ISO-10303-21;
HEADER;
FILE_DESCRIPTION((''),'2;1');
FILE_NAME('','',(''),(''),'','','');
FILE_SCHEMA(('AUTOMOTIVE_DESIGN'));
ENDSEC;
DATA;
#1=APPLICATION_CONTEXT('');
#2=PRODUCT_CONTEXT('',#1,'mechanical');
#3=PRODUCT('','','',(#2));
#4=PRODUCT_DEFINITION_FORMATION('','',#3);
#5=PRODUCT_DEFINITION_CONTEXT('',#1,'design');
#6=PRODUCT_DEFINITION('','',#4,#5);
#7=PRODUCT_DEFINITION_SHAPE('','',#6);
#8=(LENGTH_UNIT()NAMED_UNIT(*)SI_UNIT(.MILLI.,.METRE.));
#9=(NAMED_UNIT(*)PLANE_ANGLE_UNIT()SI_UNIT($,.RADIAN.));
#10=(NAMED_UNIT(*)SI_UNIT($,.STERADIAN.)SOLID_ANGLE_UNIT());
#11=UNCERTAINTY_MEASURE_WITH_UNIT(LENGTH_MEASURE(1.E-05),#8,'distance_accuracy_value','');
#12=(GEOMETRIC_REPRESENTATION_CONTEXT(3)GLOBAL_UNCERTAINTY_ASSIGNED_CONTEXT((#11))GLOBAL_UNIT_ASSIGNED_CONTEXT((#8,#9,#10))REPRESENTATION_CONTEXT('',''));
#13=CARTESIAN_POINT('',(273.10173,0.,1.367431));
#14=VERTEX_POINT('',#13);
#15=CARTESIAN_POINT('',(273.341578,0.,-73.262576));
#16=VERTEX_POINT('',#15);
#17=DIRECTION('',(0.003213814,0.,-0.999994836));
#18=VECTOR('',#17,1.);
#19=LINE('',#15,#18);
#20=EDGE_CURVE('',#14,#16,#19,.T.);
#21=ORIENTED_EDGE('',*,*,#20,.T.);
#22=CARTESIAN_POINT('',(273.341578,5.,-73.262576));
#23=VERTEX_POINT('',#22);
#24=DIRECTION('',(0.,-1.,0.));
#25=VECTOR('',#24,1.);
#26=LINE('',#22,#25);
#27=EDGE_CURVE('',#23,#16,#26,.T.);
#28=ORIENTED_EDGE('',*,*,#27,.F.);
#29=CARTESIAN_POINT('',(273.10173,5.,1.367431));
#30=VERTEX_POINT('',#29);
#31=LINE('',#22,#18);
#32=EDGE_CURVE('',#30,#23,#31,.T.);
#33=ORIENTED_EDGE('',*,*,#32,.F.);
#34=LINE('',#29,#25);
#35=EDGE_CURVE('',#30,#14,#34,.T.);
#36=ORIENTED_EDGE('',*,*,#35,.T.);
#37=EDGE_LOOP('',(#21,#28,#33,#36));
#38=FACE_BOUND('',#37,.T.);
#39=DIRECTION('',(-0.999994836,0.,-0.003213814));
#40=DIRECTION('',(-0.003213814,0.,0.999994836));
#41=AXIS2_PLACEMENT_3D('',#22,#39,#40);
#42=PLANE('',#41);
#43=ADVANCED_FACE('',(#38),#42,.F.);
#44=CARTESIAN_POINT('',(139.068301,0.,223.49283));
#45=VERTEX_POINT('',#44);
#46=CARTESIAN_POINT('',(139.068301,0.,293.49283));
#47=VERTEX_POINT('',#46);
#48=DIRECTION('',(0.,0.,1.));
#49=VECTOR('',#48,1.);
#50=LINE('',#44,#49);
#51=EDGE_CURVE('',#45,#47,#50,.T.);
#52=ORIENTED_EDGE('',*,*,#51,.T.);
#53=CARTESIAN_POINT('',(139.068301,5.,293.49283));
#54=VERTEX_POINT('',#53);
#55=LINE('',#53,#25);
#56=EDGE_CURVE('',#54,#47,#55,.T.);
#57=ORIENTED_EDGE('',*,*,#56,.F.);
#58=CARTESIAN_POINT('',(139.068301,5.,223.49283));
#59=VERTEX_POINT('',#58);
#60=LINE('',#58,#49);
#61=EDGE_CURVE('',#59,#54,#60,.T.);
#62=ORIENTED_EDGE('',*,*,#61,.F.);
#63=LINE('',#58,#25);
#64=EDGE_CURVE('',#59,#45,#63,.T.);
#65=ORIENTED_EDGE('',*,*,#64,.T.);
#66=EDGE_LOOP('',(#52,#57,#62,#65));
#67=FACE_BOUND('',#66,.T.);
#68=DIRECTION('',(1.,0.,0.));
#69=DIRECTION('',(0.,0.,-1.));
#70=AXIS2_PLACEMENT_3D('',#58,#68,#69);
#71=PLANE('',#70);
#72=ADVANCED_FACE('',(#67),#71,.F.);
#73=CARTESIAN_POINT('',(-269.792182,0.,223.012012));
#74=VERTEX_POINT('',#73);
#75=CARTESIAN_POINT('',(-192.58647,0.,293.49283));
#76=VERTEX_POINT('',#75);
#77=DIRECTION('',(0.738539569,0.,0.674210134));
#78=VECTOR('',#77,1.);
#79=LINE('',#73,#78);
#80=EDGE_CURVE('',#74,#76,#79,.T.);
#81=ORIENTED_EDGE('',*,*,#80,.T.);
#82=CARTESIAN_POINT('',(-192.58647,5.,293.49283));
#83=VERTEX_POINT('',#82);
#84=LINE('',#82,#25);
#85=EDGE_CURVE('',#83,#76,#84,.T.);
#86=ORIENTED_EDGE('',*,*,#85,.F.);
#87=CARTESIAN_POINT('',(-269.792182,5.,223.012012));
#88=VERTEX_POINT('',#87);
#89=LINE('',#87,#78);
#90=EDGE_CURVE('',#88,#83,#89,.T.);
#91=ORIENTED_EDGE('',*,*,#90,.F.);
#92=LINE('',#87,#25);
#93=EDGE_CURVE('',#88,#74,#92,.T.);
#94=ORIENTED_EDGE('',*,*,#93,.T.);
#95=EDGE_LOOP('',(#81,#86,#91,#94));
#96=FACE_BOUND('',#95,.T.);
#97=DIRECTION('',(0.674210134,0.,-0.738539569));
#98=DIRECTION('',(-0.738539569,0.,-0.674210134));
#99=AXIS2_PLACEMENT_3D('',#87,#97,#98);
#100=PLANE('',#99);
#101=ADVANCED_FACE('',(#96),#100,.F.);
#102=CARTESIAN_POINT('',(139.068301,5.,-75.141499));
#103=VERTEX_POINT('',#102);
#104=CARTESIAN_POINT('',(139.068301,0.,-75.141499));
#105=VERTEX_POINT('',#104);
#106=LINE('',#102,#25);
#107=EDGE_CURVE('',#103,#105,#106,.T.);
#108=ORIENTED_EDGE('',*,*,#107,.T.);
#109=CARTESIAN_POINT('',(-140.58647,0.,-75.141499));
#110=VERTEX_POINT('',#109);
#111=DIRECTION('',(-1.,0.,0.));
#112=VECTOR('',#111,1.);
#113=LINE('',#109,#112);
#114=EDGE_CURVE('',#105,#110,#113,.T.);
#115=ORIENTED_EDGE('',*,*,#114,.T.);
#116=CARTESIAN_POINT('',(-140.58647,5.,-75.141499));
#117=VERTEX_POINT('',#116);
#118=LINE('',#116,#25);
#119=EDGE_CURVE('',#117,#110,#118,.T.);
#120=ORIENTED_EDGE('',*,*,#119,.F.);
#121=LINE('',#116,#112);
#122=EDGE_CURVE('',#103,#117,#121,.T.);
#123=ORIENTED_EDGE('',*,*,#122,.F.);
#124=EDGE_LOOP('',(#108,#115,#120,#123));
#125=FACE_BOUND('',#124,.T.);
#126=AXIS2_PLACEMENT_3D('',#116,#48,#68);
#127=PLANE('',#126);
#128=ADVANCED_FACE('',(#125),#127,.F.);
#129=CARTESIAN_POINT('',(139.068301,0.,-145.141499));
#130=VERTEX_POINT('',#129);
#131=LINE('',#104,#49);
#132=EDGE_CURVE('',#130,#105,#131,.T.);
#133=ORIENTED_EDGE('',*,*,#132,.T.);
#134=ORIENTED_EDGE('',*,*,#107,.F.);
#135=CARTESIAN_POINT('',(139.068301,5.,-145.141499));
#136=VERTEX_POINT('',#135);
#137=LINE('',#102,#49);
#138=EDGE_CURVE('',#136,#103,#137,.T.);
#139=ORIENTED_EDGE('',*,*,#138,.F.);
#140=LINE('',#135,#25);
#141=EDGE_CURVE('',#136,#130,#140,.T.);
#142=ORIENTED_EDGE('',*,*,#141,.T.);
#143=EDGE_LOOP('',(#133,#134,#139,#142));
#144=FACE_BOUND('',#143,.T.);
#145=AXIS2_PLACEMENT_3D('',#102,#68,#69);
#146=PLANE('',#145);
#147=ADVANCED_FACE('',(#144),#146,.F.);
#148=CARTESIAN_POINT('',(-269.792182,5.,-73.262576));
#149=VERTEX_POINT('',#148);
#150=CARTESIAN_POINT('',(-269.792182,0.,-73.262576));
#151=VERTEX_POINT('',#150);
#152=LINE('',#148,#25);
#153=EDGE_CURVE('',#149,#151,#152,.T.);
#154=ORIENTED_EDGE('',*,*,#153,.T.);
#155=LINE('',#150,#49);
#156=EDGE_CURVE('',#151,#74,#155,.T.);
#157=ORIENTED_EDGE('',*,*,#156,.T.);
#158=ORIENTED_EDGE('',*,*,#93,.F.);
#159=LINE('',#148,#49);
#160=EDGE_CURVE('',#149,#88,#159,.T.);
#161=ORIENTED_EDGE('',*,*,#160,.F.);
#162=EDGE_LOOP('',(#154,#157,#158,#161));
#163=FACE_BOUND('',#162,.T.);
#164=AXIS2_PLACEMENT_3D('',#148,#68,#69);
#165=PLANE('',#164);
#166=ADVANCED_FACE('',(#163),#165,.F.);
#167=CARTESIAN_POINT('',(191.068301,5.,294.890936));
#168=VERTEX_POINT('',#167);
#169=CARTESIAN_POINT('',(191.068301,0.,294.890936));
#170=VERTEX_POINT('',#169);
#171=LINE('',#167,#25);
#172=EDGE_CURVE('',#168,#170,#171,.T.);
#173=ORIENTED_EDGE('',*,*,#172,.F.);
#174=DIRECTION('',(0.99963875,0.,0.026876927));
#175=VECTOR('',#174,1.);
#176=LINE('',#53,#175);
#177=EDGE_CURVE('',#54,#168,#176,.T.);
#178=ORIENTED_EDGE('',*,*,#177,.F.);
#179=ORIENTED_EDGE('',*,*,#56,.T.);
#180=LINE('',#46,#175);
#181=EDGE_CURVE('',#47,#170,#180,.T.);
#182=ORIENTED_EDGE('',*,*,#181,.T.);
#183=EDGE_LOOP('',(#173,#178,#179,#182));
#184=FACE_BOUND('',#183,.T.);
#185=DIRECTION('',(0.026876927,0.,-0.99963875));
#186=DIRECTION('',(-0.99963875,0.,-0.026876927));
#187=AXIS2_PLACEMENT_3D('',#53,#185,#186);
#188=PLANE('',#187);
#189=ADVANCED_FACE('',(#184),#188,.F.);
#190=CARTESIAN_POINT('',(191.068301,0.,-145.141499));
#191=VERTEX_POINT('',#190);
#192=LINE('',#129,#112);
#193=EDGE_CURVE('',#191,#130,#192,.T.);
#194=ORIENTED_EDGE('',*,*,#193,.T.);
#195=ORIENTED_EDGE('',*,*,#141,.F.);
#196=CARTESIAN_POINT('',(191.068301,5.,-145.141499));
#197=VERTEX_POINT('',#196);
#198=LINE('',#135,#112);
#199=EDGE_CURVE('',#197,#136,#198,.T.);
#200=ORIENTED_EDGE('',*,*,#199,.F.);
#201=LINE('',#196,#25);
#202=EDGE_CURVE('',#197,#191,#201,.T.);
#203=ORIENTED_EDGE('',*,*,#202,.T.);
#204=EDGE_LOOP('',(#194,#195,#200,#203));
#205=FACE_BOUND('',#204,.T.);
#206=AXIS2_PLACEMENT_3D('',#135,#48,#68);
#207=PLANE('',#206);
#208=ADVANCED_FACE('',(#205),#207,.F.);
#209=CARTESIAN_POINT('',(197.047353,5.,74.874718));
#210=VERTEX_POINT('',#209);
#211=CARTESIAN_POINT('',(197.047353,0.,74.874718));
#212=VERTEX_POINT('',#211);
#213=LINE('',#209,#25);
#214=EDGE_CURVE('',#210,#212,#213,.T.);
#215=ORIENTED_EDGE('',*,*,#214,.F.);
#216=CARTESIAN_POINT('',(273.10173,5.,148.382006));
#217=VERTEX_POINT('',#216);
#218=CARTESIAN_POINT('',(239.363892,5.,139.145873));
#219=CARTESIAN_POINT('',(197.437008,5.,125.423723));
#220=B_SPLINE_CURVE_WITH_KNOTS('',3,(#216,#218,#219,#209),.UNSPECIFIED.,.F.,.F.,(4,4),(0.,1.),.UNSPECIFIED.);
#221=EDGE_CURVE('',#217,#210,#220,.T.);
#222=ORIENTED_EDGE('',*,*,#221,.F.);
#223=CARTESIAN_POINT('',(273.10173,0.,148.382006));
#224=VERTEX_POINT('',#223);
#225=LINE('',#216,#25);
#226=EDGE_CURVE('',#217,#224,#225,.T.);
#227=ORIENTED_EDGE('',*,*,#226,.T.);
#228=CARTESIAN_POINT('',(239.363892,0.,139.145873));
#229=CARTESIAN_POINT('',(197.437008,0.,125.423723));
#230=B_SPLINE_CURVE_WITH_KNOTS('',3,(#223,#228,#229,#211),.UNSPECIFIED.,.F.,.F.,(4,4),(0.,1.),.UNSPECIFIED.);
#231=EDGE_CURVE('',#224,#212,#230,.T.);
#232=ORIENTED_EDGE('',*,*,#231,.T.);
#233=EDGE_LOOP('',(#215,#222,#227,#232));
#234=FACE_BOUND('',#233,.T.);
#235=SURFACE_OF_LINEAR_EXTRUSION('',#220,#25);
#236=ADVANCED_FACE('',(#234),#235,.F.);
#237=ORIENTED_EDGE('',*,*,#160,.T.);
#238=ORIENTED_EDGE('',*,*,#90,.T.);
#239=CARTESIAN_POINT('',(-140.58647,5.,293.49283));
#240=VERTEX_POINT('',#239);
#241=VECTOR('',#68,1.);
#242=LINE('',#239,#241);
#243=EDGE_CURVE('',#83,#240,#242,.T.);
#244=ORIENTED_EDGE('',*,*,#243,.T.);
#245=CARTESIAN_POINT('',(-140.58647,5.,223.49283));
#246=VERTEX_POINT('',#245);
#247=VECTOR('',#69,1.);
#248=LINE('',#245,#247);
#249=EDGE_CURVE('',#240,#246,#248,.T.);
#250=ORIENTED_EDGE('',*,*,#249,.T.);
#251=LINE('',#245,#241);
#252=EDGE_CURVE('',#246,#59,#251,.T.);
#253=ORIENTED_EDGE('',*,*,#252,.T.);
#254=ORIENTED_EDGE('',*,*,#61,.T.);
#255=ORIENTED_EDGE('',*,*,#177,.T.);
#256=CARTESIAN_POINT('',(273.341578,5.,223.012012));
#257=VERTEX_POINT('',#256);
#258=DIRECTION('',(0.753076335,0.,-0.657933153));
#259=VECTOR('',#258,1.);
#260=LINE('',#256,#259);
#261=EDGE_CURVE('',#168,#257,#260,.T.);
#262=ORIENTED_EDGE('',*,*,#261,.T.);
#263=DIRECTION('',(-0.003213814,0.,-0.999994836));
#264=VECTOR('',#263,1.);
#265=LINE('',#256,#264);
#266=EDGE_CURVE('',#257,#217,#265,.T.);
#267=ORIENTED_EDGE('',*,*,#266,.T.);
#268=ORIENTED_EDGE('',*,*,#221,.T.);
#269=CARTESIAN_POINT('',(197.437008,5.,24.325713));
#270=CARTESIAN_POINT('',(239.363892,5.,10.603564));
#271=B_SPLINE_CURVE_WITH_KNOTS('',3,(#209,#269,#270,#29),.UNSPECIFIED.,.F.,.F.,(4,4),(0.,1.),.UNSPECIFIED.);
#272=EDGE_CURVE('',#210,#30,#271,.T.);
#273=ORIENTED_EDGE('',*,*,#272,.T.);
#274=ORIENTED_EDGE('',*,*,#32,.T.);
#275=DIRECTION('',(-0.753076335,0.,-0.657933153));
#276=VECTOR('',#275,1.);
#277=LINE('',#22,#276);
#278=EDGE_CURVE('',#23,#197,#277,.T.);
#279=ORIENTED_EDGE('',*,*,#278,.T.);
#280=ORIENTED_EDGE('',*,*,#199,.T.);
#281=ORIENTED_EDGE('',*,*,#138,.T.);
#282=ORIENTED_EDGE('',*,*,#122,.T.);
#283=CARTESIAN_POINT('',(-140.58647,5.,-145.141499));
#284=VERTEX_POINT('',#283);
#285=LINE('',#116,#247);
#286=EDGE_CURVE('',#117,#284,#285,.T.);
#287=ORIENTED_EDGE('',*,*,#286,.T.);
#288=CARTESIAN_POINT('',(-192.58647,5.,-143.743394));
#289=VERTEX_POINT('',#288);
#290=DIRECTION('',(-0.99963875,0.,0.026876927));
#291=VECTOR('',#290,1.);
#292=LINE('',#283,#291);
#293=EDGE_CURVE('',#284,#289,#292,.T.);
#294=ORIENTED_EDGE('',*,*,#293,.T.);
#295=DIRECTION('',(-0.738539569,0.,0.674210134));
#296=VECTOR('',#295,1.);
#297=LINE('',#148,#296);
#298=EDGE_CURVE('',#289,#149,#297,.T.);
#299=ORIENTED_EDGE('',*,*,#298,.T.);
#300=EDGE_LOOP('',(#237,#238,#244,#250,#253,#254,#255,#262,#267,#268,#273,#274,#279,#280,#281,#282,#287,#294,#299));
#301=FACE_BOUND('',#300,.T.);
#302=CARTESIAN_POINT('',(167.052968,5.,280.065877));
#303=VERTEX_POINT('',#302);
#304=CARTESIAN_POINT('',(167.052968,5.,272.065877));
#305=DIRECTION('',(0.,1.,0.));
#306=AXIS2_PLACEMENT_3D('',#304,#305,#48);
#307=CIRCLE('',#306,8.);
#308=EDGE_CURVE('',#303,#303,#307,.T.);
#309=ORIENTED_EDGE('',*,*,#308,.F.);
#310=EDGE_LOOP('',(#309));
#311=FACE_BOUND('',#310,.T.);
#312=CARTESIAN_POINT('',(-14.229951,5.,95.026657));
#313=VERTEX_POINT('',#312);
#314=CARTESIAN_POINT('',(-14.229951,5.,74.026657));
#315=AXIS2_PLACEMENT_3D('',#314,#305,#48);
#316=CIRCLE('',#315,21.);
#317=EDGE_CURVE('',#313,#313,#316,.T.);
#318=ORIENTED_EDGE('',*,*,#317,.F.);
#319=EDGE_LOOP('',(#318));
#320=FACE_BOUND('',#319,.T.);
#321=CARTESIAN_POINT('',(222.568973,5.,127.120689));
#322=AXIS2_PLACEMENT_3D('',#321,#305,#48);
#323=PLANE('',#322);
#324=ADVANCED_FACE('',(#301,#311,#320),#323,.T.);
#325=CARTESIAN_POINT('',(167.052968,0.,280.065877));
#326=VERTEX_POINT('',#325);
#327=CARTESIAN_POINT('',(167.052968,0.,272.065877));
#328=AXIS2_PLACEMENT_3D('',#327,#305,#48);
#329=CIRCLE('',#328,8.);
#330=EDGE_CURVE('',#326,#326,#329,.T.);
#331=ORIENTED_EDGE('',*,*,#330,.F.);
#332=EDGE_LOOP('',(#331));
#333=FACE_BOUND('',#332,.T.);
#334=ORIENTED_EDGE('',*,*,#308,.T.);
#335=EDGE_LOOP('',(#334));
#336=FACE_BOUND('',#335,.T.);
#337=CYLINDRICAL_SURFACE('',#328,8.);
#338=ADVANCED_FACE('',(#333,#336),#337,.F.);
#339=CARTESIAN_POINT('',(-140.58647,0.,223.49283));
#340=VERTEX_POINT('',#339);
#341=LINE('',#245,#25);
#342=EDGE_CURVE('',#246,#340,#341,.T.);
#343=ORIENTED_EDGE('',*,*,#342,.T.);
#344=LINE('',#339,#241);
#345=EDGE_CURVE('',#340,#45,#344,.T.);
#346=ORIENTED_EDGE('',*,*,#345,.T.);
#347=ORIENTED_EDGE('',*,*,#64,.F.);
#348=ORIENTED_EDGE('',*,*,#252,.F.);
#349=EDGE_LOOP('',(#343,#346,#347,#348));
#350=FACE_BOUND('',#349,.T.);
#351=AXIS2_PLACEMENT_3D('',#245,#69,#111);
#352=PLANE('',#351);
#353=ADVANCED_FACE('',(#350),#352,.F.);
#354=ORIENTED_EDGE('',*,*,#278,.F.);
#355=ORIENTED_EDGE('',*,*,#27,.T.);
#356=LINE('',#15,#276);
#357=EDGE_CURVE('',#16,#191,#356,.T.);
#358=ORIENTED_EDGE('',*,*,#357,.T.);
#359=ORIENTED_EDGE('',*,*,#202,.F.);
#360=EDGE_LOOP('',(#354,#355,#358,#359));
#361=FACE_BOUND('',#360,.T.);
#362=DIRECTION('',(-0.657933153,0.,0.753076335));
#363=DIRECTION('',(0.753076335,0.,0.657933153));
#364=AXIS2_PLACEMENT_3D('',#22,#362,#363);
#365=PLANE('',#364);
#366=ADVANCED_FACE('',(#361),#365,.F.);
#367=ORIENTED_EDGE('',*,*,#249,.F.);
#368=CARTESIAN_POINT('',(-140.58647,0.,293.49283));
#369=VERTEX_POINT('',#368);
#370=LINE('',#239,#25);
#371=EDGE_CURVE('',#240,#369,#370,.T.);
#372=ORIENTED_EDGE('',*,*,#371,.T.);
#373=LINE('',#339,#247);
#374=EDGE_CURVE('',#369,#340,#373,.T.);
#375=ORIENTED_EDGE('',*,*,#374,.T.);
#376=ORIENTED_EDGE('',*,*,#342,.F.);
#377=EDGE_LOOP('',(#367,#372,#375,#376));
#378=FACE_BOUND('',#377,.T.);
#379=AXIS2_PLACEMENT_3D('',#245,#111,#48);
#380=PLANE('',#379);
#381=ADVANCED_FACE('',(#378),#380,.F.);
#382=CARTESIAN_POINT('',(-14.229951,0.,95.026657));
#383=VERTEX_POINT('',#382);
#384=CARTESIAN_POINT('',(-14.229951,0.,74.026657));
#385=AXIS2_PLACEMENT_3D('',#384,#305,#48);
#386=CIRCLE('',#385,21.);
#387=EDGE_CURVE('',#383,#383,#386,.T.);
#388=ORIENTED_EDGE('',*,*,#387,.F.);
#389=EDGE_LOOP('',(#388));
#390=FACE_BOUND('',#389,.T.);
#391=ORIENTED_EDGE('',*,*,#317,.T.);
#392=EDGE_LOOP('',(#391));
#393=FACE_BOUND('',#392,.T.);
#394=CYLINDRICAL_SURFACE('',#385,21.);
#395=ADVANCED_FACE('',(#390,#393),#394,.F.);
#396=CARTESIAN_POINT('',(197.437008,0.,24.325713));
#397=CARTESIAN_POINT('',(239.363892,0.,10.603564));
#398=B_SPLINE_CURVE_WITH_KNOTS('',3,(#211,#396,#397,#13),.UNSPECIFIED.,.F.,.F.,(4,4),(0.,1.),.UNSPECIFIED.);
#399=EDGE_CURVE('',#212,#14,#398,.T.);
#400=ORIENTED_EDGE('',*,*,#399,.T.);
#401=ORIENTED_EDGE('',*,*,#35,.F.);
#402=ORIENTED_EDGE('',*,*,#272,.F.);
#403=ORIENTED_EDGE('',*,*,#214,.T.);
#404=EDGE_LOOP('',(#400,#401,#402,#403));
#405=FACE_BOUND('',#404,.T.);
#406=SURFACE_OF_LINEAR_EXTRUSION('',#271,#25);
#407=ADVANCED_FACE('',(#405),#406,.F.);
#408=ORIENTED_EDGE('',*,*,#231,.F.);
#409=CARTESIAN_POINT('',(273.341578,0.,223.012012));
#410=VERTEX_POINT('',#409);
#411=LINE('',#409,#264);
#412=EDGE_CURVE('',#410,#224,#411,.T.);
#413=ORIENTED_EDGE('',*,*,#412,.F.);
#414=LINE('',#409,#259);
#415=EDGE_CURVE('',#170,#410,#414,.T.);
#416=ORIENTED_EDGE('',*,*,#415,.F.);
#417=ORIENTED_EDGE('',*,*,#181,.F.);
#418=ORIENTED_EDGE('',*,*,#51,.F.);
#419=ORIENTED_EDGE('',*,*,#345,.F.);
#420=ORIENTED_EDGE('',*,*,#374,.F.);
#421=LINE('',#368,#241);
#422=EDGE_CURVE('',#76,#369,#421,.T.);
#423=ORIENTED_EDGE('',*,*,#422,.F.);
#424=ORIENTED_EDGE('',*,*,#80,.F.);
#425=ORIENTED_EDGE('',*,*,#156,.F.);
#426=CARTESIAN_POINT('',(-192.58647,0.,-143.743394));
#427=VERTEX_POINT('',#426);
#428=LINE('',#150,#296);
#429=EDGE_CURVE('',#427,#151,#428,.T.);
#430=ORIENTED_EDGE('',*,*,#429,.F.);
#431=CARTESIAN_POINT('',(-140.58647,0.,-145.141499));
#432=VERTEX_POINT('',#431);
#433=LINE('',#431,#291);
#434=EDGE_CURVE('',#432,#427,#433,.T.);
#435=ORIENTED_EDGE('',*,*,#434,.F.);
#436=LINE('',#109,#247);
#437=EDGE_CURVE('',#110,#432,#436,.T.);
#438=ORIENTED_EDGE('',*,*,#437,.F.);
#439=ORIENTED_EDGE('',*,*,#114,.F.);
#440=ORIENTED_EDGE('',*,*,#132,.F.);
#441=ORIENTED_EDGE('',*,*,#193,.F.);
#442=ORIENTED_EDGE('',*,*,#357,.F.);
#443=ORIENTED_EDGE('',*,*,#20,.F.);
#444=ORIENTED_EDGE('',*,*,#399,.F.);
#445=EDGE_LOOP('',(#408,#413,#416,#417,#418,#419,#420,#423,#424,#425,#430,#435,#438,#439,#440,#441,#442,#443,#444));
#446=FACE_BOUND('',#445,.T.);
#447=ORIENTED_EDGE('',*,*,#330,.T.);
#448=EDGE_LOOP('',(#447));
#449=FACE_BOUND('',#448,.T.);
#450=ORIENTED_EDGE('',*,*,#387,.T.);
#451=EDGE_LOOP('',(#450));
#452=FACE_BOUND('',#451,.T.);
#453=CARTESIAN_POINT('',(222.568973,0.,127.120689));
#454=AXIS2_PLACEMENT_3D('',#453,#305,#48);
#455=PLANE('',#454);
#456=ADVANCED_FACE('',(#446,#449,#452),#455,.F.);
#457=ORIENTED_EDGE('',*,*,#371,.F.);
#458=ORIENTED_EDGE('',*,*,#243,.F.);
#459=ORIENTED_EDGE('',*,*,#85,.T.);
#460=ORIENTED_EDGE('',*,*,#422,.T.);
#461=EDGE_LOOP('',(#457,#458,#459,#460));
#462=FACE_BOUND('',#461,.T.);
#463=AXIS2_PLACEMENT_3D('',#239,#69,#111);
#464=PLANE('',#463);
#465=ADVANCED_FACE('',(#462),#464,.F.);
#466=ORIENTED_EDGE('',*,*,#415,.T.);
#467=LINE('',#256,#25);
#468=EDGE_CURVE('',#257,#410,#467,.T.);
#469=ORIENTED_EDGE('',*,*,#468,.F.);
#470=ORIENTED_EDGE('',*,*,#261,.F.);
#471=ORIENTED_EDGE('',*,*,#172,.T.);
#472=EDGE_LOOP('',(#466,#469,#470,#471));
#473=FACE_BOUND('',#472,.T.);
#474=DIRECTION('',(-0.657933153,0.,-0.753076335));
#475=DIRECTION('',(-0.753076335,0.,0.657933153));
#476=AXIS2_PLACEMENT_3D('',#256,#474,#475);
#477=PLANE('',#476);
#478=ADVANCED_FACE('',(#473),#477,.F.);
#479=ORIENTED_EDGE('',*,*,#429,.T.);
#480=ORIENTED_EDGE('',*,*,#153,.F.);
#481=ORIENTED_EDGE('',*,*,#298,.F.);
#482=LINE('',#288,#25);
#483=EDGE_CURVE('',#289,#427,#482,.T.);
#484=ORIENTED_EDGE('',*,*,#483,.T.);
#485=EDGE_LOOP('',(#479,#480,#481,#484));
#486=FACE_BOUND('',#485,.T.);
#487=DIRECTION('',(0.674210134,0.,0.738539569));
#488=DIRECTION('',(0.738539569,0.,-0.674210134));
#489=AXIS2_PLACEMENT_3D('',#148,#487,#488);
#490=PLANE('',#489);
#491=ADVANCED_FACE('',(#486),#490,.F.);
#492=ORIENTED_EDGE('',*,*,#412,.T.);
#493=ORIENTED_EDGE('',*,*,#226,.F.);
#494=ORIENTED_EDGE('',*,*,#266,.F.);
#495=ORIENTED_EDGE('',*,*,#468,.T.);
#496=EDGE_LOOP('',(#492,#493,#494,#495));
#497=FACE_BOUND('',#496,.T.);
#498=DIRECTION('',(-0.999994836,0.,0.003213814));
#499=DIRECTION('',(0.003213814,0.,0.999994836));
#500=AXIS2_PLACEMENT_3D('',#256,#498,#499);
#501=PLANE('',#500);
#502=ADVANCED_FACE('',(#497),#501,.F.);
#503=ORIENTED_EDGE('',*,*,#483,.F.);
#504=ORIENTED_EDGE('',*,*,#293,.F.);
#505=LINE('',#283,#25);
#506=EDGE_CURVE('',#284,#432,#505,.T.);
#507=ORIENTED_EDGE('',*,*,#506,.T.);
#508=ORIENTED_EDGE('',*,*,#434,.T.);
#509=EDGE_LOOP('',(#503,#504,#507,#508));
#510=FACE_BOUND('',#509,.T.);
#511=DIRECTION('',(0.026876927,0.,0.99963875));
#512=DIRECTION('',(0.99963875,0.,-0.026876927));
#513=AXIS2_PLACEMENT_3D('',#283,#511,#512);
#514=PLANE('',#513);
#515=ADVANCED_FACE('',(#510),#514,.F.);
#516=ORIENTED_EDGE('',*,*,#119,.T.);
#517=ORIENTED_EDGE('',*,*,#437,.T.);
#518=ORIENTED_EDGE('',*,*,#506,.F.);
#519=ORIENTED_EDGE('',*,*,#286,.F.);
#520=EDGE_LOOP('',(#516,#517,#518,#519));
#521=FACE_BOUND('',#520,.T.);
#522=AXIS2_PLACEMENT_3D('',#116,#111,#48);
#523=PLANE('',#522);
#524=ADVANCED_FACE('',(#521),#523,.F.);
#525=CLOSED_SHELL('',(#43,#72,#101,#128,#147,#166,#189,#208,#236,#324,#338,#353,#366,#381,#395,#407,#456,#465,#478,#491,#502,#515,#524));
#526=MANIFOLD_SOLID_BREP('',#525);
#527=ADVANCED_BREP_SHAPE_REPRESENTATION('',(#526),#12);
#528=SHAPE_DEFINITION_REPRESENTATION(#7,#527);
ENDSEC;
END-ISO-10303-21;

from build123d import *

# Parameters (mm, degrees)
EXTRUDE_1_DEPTH     = 5
SKETCH_2_R          = 21
CUT_EXTRUDE_1_DEPTH = 403.120979525
SKETCH1_R           = 8
CUT_EXTRUDE1_DEPTH  = 403.120979525


with BuildPart() as part:
    # Эскиз1 → Вытянуть1 (new body)
    with BuildSketch(Plane(origin=(0, 0, 0), x_dir=(1, 0, 0), z_dir=(0, 1, 0))):
        with BuildLine():
            Line((-269.7921816, 73.262575573), (-269.7921816, -223.012011978))
            Line((-269.7921816, -223.012011978), (-192.586469874, -293.492830448))
            Line((-192.586469874, -293.492830448), (-140.586469874, -293.492830448))
            Line((-140.586469874, -293.492830448), (-140.586469874, -223.492830448))
            Line((-140.586469874, -223.492830448), (139.068300868, -223.492830448))
            Line((139.068300868, -223.492830448), (139.068300868, -293.492830448))
            Line((139.068300868, -293.492830448), (191.068300868, -294.890935713))
            Line((191.068300868, -294.890935713), (273.341577689, -223.012011978))
            Line((273.341577689, -223.012011978), (273.101729514, -148.382005757))
            add(Edge.make_bspline(
                [(273.101729514, -148.382005757), (239.363891717, -139.145872689), (197.437007815, -125.423723423), (197.047353036, -74.874718203)],
                knots=[0, 0, 0, 0, 1, 1, 1, 1], degree=3))
            add(Edge.make_bspline(
                [(273.101729514, -1.367430648), (239.363891717, -10.603563716), (197.437007815, -24.325712982), (197.047353036, -74.874718203)],
                knots=[0, 0, 0, 0, 1, 1, 1, 1], degree=3))
            Line((273.101729514, -1.367430648), (273.341577689, 73.262575573))
            Line((273.341577689, 73.262575573), (191.068300868, 145.141499308))
            Line((191.068300868, 145.141499308), (139.068300868, 145.141499308))
            Line((139.068300868, 145.141499308), (139.068300868, 75.141499308))
            Line((139.068300868, 75.141499308), (-140.586469874, 75.141499308))
            Line((-140.586469874, 75.141499308), (-140.586469874, 145.141499308))
            Line((-140.586469874, 145.141499308), (-192.586469874, 143.743394043))
            Line((-192.586469874, 143.743394043), (-269.7921816, 73.262575573))
        make_face()
    extrude(amount=EXTRUDE_1_DEPTH)

    # Эскиз2 → Вырез-Вытянуть1 (cut, through all)
    with BuildSketch(Plane(origin=(0, 5, 0), x_dir=(-1, 0, 0), z_dir=(0, 1, 0))):
        with Locations(Location((14.229950912, 74.026657254, 0), (0, 0, 90))):
            Circle(SKETCH_2_R)
    extrude(amount=-CUT_EXTRUDE_1_DEPTH, mode=Mode.SUBTRACT)

    # Sketch1 → Cut-Extrude1 (cut, through all)
    with BuildSketch(Plane(origin=(0, 5, 0), x_dir=(1, 0, 0), z_dir=(0, 1, 0))):
        with Locations(Location((167.052967516, -272.065876514, 0), (0, 0, 270))):
            Circle(SKETCH1_R)
    extrude(amount=-CUT_EXTRUDE1_DEPTH, mode=Mode.SUBTRACT)


solid = part.part
